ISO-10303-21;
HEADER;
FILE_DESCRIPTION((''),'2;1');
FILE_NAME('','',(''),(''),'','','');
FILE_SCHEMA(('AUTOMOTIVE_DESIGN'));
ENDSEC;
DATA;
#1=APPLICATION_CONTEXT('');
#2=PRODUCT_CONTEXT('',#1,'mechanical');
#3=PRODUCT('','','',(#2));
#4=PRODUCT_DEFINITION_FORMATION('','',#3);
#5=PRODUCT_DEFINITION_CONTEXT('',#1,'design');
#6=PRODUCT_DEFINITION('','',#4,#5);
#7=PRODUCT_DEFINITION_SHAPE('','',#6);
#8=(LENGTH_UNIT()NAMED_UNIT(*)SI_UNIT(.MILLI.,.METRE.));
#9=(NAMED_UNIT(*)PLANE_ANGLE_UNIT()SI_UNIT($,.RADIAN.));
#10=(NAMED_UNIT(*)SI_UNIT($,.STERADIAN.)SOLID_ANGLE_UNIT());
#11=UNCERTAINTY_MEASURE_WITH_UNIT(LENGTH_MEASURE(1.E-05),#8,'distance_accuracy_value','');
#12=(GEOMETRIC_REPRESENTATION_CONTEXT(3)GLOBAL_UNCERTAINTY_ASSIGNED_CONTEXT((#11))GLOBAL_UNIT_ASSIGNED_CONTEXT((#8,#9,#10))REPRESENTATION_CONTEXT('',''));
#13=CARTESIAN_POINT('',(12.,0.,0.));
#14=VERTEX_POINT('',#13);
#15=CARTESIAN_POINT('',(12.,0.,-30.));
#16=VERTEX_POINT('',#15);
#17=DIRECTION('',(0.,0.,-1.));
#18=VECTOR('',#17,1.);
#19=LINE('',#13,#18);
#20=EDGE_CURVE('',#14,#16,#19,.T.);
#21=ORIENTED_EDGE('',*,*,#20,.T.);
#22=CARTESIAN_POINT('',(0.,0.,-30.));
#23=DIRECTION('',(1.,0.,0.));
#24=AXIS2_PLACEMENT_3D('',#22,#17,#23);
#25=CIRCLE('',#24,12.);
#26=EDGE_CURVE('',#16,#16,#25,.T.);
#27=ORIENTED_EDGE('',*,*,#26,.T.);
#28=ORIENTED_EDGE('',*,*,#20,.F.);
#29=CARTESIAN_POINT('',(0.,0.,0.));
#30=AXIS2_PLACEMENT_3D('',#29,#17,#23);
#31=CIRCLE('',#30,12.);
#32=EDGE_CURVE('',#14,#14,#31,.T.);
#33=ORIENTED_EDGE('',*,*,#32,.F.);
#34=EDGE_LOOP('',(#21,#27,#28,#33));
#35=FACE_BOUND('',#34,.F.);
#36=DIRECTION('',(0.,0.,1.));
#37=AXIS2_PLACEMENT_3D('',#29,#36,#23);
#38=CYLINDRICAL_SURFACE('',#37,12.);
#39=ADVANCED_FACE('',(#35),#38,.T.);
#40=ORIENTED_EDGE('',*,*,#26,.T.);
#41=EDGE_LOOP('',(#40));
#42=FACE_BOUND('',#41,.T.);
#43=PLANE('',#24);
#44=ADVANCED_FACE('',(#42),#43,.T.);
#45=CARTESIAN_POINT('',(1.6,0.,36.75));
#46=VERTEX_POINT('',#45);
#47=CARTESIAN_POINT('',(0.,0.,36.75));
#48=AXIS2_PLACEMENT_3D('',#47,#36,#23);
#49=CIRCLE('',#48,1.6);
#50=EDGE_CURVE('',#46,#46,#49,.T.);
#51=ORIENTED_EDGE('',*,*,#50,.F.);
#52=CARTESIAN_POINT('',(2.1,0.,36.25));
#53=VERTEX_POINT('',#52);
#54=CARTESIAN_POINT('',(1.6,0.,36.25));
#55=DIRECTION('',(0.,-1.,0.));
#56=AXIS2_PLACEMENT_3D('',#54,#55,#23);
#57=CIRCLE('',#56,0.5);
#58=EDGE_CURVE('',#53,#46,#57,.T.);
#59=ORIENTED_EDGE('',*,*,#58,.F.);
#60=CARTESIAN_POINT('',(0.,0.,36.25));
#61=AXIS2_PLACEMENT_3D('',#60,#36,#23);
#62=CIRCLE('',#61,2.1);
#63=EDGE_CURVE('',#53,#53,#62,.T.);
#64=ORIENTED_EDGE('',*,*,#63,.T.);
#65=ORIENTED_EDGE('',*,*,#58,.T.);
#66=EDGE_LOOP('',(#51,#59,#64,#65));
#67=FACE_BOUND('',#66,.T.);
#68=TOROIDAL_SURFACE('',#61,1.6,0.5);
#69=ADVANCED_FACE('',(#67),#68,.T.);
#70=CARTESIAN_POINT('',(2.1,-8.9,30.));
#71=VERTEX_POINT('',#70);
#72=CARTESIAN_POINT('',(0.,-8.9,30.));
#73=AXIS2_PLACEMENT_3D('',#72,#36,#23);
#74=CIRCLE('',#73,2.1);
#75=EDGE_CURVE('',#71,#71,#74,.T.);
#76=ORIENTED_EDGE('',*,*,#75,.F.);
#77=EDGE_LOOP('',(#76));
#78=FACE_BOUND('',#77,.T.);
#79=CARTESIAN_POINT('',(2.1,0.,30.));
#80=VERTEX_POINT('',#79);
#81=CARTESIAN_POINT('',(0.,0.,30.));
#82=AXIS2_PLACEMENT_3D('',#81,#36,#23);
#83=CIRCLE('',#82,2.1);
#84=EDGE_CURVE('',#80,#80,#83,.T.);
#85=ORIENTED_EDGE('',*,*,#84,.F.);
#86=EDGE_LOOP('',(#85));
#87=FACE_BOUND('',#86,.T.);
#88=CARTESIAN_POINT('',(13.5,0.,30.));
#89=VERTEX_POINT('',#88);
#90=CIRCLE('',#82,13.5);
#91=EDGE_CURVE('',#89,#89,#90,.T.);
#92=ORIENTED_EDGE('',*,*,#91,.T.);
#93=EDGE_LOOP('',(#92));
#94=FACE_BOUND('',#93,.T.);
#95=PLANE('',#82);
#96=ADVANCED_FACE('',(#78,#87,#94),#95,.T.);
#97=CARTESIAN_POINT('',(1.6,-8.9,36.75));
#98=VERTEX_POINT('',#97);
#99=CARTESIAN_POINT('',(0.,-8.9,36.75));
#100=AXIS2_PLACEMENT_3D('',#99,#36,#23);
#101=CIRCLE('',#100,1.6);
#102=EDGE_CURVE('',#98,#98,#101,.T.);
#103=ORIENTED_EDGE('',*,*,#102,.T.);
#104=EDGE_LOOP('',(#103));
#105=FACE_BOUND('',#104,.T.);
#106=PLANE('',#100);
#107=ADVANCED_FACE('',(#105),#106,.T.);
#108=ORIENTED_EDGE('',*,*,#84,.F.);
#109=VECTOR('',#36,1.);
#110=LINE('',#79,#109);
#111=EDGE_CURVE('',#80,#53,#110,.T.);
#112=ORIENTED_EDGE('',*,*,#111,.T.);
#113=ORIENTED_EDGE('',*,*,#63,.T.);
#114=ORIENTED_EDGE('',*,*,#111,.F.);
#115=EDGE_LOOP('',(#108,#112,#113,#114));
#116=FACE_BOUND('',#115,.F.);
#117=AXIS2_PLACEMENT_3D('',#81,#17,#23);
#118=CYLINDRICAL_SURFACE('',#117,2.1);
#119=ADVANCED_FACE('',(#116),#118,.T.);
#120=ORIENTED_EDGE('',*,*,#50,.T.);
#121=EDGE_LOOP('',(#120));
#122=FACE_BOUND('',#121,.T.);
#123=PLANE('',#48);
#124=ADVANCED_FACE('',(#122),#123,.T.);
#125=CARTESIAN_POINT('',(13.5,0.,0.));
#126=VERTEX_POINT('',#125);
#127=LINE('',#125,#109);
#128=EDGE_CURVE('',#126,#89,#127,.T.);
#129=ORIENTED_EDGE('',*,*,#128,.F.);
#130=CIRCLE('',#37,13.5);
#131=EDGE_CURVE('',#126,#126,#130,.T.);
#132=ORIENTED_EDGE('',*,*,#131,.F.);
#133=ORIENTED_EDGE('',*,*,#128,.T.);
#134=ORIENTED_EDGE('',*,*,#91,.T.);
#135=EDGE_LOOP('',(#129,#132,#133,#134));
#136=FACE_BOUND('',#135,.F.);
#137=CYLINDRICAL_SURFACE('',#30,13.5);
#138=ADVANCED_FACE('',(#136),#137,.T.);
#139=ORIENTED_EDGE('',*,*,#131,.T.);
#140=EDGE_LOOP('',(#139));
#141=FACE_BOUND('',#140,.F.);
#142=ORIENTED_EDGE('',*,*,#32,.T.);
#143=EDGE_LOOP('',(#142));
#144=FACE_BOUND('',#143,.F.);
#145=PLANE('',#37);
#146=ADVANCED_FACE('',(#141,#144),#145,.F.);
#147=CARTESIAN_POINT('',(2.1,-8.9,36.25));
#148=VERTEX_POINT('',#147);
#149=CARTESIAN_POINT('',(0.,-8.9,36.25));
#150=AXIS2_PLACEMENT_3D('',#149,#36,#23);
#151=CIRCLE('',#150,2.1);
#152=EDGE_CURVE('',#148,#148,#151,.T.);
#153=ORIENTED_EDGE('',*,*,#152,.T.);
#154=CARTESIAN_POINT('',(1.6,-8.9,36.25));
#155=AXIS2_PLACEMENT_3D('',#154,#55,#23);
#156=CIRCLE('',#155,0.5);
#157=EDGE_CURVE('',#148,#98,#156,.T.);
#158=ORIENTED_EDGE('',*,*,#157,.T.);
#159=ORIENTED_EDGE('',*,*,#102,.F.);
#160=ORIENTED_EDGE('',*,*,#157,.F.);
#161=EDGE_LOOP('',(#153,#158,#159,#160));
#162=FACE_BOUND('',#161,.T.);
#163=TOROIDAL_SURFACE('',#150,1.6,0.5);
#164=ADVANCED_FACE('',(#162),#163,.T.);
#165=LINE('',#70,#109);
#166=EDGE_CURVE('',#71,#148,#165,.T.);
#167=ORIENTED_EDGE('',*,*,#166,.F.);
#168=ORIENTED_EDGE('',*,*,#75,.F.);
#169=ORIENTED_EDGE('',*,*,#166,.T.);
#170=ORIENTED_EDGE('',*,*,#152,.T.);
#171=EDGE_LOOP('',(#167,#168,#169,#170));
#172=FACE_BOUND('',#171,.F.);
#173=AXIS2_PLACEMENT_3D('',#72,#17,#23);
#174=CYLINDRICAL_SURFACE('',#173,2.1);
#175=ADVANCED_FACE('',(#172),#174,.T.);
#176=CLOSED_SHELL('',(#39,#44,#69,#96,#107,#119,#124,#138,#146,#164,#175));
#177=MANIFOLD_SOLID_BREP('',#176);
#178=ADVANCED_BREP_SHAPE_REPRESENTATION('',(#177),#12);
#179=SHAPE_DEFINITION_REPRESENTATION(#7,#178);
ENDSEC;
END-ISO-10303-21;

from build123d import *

# Parameters (mm, degrees)
SKETCH_R     = 13.5
PAD_DEPTH    = 30
SKETCH001_R  = 12
PAD001_DEPTH = 30
SKETCH002_R  = 2.1
PAD002_DEPTH = 6.75
FILLET_R     = 0.5
FILLET001_R  = 0.5


with BuildPart() as part:
    # Sketch → Pad (new body)
    with BuildSketch(Plane.XY):
        Circle(SKETCH_R)
    extrude(amount=PAD_DEPTH)

    # Sketch001 (on Face2 of Pad) → Pad001 (join)
    with BuildSketch(Plane(origin=(0, 0, 0), x_dir=(1, 0, 0), z_dir=(0, 0, -1))):
        Circle(SKETCH001_R)
    extrude(amount=PAD001_DEPTH)

    # Sketch002 (on Face3 of Pad001) → Pad002 (join)
    with BuildSketch(Plane.XY.offset(30)):
        Circle(SKETCH002_R)
        with Locations((0, -8.9)):
            Circle(SKETCH002_R)
    extrude(amount=PAD002_DEPTH)

    # Fillet
    fillet_edges = [part.edges().sort_by_distance(p)[0] for p in [
        (-2.1, 0, 36.75),
    ]]
    fillet(fillet_edges, radius=FILLET_R)

    # Fillet001
    fillet001_edges = [part.edges().sort_by_distance(p)[0] for p in [
        (-2.1, -8.9, 36.75),
    ]]
    fillet(fillet001_edges, radius=FILLET001_R)


solid = part.part
